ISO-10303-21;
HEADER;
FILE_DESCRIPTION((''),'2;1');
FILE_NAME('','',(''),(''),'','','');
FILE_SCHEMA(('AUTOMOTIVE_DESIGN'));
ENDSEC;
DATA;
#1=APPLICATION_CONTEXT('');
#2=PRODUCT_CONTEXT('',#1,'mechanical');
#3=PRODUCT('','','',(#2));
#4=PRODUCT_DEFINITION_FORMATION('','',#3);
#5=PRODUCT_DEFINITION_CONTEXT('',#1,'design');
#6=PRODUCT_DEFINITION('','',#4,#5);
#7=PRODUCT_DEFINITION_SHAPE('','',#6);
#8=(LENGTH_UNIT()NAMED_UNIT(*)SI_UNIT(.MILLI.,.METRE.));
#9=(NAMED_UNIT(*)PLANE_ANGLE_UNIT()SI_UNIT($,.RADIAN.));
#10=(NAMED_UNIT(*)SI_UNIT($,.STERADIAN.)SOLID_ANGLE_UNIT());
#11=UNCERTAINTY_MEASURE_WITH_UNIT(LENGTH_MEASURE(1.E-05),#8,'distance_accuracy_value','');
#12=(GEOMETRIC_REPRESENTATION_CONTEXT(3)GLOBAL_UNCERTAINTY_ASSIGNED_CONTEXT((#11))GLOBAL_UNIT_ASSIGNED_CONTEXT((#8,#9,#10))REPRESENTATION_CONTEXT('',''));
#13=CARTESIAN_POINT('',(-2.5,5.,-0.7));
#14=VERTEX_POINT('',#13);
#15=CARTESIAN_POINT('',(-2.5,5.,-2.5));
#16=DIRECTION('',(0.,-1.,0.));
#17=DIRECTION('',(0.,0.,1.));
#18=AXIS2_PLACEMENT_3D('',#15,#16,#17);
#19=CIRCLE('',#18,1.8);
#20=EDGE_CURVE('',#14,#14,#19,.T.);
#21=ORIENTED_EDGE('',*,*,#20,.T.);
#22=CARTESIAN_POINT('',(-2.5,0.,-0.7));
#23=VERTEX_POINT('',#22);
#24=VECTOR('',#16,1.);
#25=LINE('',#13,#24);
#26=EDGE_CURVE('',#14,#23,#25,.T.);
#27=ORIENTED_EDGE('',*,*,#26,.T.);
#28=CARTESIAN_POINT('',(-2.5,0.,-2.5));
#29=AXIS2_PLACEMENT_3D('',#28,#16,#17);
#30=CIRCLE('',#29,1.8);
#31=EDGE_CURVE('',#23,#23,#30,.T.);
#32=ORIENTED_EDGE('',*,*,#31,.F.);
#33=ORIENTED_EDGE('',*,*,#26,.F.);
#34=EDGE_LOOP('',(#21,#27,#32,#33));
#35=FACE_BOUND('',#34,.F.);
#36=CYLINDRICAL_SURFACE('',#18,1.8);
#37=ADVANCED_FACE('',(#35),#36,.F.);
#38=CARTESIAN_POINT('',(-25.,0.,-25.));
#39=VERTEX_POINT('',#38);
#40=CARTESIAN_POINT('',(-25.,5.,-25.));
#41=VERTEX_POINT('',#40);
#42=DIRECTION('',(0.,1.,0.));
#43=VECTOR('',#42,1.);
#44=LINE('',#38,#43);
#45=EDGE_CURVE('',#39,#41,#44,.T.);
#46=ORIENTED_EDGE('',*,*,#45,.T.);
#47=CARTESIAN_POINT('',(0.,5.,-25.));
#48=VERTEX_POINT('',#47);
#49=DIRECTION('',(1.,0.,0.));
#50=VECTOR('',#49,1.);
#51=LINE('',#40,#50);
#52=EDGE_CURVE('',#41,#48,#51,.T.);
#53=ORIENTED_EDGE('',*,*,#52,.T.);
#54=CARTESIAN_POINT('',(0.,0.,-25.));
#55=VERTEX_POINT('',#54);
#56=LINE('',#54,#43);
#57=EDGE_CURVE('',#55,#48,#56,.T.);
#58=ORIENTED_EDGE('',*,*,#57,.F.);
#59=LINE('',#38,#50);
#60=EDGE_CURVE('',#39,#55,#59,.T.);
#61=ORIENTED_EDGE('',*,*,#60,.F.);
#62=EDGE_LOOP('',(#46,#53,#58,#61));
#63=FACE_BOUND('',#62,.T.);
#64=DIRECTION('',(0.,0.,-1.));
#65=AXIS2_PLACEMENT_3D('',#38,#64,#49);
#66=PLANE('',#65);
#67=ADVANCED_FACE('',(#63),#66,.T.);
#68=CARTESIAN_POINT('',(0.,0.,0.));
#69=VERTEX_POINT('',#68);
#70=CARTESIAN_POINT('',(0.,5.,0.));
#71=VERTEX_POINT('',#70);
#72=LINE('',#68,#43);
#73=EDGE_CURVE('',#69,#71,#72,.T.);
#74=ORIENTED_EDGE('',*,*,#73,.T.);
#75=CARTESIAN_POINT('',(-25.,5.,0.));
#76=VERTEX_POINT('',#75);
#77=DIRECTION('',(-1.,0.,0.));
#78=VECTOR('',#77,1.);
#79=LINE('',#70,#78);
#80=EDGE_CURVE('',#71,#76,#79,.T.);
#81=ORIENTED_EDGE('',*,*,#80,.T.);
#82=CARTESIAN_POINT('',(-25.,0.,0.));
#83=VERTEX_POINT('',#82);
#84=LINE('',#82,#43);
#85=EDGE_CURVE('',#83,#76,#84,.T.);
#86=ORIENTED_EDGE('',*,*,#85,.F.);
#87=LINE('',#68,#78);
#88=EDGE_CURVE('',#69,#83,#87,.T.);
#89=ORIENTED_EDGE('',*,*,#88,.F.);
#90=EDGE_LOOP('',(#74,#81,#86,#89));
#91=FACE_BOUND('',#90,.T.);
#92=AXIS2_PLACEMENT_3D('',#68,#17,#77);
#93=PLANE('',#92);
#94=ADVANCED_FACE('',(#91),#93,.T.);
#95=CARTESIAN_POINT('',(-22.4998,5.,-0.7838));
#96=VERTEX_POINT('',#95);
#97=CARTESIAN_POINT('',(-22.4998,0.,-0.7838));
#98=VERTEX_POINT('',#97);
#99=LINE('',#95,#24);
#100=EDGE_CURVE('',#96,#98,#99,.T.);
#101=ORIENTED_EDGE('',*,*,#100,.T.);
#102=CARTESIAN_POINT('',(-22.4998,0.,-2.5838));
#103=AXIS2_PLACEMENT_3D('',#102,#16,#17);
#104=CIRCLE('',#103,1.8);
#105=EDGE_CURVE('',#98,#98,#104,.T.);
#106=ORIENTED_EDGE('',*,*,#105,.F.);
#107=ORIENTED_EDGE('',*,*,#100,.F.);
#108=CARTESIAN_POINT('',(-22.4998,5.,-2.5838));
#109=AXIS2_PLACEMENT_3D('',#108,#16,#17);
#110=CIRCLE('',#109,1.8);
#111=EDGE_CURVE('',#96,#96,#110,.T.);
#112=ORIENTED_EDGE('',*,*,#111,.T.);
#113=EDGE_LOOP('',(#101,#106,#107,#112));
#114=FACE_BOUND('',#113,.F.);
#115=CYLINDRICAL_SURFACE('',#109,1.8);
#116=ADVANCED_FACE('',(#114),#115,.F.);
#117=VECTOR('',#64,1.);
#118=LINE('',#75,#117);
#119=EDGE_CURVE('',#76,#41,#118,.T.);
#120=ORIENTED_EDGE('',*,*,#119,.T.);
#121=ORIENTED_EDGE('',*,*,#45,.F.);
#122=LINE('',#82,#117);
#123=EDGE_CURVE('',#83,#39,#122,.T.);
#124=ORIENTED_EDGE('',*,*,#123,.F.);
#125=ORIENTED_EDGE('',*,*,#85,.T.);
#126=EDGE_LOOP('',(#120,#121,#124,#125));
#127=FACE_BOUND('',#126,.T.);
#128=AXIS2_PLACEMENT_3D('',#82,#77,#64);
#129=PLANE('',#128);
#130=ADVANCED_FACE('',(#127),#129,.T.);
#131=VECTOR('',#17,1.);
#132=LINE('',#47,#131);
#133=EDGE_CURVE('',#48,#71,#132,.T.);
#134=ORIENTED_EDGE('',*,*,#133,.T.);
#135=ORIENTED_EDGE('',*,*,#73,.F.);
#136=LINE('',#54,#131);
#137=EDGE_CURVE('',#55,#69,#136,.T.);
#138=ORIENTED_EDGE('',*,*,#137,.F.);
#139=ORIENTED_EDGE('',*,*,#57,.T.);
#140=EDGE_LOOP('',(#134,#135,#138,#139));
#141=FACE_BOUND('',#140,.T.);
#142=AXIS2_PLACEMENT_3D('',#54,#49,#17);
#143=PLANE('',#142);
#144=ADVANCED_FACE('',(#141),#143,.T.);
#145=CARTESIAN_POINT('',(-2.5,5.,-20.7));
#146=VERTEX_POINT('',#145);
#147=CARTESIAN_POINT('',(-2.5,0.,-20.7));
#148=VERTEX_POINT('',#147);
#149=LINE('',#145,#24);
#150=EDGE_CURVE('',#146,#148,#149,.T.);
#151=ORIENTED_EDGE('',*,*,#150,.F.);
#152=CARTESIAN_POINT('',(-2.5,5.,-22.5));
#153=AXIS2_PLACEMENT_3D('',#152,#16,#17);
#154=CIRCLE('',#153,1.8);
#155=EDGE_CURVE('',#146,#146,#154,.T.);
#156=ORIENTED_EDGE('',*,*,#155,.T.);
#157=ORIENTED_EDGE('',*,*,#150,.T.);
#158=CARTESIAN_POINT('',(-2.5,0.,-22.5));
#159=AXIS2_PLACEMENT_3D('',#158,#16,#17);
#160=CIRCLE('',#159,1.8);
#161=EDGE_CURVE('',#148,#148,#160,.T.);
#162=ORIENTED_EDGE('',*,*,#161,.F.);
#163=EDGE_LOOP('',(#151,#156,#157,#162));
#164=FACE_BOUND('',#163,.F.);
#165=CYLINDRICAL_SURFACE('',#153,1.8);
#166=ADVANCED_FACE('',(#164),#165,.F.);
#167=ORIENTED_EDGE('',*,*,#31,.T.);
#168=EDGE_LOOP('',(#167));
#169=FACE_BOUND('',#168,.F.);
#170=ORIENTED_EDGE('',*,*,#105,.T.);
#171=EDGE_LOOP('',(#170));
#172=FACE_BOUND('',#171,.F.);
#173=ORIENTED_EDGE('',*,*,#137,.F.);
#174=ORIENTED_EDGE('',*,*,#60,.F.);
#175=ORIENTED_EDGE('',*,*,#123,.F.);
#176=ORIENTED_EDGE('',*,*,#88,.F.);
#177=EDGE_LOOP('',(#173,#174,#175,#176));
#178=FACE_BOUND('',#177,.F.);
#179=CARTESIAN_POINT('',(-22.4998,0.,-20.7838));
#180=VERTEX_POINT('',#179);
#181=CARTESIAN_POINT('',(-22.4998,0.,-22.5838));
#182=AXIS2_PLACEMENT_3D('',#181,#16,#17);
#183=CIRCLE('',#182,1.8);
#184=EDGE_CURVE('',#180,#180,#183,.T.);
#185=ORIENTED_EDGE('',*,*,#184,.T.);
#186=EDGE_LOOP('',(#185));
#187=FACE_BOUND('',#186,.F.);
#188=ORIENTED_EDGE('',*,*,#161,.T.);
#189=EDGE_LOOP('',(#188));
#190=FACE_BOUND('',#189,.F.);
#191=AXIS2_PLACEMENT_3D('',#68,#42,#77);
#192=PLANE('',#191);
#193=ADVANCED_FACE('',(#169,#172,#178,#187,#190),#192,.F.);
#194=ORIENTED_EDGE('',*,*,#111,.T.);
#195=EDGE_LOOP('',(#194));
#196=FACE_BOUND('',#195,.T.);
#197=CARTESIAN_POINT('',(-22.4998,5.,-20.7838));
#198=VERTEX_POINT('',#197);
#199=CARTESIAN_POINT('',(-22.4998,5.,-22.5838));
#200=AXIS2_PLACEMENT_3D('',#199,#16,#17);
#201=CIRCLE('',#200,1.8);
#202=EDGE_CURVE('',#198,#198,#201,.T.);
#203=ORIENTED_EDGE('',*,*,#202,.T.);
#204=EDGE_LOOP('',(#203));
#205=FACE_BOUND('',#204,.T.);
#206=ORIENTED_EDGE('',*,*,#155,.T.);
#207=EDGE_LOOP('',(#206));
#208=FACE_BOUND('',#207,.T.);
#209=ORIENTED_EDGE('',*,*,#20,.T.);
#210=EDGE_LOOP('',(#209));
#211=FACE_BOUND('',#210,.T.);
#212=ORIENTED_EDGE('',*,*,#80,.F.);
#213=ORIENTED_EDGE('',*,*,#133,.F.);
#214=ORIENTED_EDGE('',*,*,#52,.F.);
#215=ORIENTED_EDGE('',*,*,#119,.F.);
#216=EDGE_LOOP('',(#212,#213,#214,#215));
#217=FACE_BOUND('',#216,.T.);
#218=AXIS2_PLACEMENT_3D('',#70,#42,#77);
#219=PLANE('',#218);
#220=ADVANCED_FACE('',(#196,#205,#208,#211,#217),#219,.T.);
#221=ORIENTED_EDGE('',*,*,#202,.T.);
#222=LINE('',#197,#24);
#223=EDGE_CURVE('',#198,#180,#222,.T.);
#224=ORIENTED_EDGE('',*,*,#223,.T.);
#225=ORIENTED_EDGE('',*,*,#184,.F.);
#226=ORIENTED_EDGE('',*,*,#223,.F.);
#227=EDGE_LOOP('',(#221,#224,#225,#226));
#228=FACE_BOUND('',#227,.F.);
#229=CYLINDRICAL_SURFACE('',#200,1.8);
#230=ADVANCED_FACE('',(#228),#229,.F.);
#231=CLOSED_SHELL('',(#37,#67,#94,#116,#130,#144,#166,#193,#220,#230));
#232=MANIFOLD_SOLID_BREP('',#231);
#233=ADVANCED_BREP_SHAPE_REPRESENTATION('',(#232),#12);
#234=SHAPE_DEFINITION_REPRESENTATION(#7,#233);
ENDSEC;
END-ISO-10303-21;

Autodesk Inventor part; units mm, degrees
ref_plane "YZ Plane" through (0, 0, 0) normal (1, 0, 0) x (0, 1, 0)
ref_plane "XZ Plane" through (0, 0, 0) normal (0, 1, 0) x (-1, 0, 0)
ref_plane "XY Plane" through (0, 0, 0) normal (0, 0, 1) x (1, 0, 0)
sketch "スケッチ1" plane through (0, 0, 0) normal (0, 1, 0) x (-1, 0, 0)
  line L0 (0, 0) -> (25, 0)
  line L1 (25, 0) -> (25, -25)
  line L2 (25, -25) -> (0, -25)
  line L3 (0, -25) -> (0, 0)
  dimension "d0" = 25
  dimension "d1" = 25
extrude "押し出し1" add sketch "スケッチ1" along normal blind 5
sketch "スケッチ2" plane through (0, 5, 0) normal (0, 1, 0) x (1, 0, 0)
  line L0 (-25, 0) -> (0, 0) projected
  line L1 (0, 0) -> (0, 25) projected
  line L2 (0, 25) -> (-25, 25) projected
  line L3 (-25, 25) -> (-25, 0) projected
  point P0 (-2.5, 2.5)
  point P1 (-2.5, 2.5)
  point P2 (-2.5, 22.5)
  point P3 (-22.4998, 22.5838)
  point P4 (-22.4998, 2.5838)
  dimension "d4" = 2.5
  dimension "d5" = 2.5
  dimension "d6" = 20
  dimension "d7" = 20
  dimension "d8" = 20
  dimension "d9" = 20
  dimension "d10" = 2.5
  dimension "d12" = 2.5002
hole "穴1" at (-2.5, 5, -2.5) at (-2.5, 5, -22.5) at (-22.4998, 5, -22.5838) at (-22.4998, 5, -2.5838) direction (0, -1, 0) diameter 3.6 end through all
properties part number "Plate5mmforPrint2"
